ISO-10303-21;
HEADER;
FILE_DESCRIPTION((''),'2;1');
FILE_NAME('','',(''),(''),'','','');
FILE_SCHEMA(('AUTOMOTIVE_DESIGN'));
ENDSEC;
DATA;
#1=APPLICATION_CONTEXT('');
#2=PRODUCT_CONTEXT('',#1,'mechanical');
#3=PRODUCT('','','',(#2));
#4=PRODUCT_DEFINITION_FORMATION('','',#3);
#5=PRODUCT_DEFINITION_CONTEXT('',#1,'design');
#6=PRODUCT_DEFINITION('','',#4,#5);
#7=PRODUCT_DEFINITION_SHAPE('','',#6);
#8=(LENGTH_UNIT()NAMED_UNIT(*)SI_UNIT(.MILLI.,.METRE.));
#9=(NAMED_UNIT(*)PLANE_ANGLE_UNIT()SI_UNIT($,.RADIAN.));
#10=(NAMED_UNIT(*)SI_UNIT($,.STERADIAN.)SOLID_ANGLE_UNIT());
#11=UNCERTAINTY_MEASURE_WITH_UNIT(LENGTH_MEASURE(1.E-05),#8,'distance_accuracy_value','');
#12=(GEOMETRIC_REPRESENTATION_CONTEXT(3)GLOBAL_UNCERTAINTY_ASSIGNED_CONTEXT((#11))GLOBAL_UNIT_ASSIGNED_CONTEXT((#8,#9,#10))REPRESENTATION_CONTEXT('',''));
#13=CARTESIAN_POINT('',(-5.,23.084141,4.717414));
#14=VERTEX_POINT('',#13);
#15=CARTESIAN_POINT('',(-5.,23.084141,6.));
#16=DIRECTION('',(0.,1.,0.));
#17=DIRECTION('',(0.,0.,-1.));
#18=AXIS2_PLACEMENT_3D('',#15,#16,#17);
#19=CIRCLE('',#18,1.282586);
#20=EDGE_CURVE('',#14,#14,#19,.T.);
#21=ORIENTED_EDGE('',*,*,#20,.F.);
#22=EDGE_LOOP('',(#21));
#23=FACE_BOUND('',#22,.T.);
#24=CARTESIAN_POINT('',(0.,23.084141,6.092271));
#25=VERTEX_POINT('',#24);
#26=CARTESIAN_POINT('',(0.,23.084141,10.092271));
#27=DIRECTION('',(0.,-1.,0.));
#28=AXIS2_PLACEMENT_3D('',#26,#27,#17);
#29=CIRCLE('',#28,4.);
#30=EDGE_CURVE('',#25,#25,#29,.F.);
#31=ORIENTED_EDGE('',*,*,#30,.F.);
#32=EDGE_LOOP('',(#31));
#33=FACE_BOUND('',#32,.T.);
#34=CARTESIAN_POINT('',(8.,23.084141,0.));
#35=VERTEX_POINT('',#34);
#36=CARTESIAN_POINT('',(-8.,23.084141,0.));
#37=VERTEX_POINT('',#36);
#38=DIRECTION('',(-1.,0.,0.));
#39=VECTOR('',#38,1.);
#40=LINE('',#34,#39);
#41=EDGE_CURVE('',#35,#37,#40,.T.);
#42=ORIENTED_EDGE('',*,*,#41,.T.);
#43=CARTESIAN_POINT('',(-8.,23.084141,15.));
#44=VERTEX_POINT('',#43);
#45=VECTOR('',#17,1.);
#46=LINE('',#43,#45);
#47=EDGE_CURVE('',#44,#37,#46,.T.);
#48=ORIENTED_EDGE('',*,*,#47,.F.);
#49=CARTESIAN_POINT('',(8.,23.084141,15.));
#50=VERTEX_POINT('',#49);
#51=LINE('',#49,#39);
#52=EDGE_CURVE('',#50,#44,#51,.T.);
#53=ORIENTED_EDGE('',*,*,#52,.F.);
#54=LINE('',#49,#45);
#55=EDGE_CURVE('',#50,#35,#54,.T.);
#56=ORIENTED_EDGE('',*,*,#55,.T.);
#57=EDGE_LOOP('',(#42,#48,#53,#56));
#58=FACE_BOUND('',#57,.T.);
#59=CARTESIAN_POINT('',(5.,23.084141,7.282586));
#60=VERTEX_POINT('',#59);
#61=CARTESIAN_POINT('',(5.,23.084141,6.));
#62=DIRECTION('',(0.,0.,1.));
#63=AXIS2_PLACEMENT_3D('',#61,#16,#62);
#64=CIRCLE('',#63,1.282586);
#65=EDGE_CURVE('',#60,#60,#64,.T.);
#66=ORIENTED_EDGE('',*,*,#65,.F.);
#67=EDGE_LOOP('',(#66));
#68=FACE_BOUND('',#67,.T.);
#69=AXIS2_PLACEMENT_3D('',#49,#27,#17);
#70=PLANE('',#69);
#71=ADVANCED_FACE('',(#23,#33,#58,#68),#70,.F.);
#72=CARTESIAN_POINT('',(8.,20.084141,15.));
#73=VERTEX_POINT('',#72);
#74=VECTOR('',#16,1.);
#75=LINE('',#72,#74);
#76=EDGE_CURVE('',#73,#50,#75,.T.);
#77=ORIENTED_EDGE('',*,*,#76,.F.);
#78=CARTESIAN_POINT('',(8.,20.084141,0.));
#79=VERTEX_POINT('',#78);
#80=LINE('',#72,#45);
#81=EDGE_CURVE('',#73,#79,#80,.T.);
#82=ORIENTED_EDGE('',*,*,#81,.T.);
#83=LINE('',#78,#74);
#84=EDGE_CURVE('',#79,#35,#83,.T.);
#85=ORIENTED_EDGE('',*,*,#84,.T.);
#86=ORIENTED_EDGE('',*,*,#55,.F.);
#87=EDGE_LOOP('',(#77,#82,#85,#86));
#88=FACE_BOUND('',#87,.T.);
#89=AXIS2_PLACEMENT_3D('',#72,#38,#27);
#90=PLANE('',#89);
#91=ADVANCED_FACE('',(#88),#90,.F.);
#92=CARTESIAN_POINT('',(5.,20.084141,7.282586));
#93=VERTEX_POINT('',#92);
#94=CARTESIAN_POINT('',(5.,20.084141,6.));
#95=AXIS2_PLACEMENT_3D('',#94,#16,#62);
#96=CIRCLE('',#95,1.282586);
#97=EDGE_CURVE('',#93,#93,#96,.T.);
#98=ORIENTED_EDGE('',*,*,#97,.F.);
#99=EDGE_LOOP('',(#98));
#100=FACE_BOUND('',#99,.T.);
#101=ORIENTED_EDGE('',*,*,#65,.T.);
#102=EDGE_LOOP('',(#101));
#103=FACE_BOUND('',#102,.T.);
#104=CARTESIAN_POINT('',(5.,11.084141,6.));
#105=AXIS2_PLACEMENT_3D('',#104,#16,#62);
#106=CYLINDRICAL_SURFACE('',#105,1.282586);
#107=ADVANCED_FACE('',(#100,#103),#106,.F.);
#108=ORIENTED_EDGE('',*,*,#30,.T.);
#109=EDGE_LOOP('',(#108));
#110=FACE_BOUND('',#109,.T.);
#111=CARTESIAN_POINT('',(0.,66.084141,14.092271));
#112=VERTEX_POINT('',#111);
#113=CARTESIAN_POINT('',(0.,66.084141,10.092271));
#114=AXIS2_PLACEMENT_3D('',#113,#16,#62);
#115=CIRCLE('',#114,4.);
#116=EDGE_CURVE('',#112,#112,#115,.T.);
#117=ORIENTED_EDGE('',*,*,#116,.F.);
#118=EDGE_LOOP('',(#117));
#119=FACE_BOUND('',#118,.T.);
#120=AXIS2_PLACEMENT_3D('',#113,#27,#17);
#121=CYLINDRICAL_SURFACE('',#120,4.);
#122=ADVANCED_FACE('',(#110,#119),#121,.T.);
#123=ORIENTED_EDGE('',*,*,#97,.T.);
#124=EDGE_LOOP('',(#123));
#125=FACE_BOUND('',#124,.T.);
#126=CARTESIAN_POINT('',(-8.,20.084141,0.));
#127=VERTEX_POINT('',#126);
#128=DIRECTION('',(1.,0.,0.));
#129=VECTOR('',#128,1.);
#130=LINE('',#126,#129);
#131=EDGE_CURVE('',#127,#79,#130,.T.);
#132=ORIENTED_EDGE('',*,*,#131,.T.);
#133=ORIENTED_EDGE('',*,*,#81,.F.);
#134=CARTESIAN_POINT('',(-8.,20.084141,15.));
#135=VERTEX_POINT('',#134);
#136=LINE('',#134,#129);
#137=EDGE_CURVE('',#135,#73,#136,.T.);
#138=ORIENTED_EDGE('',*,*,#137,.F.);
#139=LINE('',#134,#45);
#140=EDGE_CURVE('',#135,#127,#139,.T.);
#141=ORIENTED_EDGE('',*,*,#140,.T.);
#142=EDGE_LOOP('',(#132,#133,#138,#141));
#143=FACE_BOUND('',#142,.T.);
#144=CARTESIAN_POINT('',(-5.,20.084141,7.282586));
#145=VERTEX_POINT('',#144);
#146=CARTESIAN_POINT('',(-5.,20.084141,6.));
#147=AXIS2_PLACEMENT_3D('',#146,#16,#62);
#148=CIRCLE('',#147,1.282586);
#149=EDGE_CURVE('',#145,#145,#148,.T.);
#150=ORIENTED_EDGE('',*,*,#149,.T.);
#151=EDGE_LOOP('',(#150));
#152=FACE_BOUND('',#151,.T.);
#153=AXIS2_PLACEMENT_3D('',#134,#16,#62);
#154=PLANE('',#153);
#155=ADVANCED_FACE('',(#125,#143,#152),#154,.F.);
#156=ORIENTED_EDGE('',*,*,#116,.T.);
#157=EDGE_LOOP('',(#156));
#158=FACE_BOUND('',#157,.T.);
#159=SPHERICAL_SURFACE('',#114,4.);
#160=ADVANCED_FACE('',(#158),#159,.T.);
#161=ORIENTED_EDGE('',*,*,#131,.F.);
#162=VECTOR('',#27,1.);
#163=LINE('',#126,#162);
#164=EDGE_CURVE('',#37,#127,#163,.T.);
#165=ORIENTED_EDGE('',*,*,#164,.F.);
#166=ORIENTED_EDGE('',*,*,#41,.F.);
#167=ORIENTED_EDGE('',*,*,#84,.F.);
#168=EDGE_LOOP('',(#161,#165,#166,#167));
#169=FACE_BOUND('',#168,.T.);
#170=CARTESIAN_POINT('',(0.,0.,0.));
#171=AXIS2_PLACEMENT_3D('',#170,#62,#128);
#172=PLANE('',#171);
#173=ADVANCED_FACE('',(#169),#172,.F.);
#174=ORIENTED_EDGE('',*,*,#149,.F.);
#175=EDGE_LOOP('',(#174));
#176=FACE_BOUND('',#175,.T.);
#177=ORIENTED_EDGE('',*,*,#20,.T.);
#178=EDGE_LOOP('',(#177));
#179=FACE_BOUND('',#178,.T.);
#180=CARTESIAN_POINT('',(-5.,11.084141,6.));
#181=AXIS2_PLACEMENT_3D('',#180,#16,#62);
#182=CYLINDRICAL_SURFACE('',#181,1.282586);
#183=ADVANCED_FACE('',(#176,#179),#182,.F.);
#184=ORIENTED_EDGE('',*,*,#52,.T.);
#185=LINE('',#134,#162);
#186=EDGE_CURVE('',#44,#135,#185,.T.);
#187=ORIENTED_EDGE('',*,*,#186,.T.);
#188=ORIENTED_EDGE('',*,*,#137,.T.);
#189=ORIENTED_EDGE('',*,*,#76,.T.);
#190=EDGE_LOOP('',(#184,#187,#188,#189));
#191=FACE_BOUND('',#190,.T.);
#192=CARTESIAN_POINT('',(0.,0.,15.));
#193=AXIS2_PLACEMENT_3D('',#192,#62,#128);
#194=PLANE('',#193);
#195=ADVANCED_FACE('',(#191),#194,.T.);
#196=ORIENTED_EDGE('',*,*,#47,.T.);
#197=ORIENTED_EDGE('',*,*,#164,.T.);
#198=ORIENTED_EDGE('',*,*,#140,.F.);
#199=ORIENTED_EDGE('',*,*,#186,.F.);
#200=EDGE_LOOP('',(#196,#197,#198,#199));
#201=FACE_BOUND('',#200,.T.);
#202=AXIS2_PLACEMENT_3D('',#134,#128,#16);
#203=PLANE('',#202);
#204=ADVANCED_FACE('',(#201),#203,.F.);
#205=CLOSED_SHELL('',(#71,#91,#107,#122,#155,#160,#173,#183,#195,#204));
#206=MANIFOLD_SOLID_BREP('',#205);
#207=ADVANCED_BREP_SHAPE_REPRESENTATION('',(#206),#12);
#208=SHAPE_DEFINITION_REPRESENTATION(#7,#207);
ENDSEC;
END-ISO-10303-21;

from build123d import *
from build123d.topology import SkipClean

# Parameters (mm, degrees)
SKETCH1_W           = 16
SKETCH1_H           = 3
BOSS_EXTRUDE1_DEPTH = 15
SKETCH2_R           = 1.282586005
CUT_EXTRUDE1_DEPTH  = 12
SKETCH3_R           = 4
BOSS_EXTRUDE2_DEPTH = 43


with BuildPart() as part:
    # Sketch1 → Boss-Extrude1 (new body)
    with BuildSketch(Plane.XY):
        with Locations((0, 21.58414062)):
            Rectangle(SKETCH1_W, SKETCH1_H)
    extrude(amount=BOSS_EXTRUDE1_DEPTH)

    # Sketch2 → Cut-Extrude1 (cut)
    with BuildSketch(Plane(origin=(0, 23.08414062, 0), x_dir=(1, 0, 0), z_dir=(0, 1, 0))):
        with Locations(Location((5, -6, 0), (0, 0, 270))):
            Circle(SKETCH2_R)
        with Locations(Location((-5, -6, 0), (0, 0, 270))):
            Circle(SKETCH2_R)
    extrude(amount=-CUT_EXTRUDE1_DEPTH, mode=Mode.SUBTRACT)

    # Sketch3 → Boss-Extrude2 (add)
    with BuildSketch(Plane(origin=(0, 23.08414062, 0), x_dir=(1, 0, 0), z_dir=(0, 1, 0))):
        with Locations(Location((0, -10.092270702, 0), (0, 0, 90))):
            Circle(SKETCH3_R)
    extrude(amount=BOSS_EXTRUDE2_DEPTH)

    # Sketch5 → Revolve1 (revolve)
    with SkipClean():  # the faces are left unmerged after this step: merging them gives an invalid solid
        with BuildSketch(Plane(origin=(0, 66.08414062, 0), x_dir=(1, 0, 0), z_dir=(0, 1, 0))):
            with BuildLine():
                ThreePointArc((4, -10.092270702), (2.828427125, -7.263843577), (0, -6.092270702))
                Line((0, -6.092270702), (0, -14.092270702))
                ThreePointArc((0, -14.092270702), (2.828427125, -12.920697827), (4, -10.092270702))
            make_face()
            with BuildLine():
                Line((0, -14.092270702), (0, -6.092270702))
                ThreePointArc((0, -6.092270702), (-4, -10.092270702), (0, -14.092270702))
            make_face()
        revolve(axis=Axis((0, 66.08414062, 6.092270702), (0, 0, 1)))


solid = part.part
